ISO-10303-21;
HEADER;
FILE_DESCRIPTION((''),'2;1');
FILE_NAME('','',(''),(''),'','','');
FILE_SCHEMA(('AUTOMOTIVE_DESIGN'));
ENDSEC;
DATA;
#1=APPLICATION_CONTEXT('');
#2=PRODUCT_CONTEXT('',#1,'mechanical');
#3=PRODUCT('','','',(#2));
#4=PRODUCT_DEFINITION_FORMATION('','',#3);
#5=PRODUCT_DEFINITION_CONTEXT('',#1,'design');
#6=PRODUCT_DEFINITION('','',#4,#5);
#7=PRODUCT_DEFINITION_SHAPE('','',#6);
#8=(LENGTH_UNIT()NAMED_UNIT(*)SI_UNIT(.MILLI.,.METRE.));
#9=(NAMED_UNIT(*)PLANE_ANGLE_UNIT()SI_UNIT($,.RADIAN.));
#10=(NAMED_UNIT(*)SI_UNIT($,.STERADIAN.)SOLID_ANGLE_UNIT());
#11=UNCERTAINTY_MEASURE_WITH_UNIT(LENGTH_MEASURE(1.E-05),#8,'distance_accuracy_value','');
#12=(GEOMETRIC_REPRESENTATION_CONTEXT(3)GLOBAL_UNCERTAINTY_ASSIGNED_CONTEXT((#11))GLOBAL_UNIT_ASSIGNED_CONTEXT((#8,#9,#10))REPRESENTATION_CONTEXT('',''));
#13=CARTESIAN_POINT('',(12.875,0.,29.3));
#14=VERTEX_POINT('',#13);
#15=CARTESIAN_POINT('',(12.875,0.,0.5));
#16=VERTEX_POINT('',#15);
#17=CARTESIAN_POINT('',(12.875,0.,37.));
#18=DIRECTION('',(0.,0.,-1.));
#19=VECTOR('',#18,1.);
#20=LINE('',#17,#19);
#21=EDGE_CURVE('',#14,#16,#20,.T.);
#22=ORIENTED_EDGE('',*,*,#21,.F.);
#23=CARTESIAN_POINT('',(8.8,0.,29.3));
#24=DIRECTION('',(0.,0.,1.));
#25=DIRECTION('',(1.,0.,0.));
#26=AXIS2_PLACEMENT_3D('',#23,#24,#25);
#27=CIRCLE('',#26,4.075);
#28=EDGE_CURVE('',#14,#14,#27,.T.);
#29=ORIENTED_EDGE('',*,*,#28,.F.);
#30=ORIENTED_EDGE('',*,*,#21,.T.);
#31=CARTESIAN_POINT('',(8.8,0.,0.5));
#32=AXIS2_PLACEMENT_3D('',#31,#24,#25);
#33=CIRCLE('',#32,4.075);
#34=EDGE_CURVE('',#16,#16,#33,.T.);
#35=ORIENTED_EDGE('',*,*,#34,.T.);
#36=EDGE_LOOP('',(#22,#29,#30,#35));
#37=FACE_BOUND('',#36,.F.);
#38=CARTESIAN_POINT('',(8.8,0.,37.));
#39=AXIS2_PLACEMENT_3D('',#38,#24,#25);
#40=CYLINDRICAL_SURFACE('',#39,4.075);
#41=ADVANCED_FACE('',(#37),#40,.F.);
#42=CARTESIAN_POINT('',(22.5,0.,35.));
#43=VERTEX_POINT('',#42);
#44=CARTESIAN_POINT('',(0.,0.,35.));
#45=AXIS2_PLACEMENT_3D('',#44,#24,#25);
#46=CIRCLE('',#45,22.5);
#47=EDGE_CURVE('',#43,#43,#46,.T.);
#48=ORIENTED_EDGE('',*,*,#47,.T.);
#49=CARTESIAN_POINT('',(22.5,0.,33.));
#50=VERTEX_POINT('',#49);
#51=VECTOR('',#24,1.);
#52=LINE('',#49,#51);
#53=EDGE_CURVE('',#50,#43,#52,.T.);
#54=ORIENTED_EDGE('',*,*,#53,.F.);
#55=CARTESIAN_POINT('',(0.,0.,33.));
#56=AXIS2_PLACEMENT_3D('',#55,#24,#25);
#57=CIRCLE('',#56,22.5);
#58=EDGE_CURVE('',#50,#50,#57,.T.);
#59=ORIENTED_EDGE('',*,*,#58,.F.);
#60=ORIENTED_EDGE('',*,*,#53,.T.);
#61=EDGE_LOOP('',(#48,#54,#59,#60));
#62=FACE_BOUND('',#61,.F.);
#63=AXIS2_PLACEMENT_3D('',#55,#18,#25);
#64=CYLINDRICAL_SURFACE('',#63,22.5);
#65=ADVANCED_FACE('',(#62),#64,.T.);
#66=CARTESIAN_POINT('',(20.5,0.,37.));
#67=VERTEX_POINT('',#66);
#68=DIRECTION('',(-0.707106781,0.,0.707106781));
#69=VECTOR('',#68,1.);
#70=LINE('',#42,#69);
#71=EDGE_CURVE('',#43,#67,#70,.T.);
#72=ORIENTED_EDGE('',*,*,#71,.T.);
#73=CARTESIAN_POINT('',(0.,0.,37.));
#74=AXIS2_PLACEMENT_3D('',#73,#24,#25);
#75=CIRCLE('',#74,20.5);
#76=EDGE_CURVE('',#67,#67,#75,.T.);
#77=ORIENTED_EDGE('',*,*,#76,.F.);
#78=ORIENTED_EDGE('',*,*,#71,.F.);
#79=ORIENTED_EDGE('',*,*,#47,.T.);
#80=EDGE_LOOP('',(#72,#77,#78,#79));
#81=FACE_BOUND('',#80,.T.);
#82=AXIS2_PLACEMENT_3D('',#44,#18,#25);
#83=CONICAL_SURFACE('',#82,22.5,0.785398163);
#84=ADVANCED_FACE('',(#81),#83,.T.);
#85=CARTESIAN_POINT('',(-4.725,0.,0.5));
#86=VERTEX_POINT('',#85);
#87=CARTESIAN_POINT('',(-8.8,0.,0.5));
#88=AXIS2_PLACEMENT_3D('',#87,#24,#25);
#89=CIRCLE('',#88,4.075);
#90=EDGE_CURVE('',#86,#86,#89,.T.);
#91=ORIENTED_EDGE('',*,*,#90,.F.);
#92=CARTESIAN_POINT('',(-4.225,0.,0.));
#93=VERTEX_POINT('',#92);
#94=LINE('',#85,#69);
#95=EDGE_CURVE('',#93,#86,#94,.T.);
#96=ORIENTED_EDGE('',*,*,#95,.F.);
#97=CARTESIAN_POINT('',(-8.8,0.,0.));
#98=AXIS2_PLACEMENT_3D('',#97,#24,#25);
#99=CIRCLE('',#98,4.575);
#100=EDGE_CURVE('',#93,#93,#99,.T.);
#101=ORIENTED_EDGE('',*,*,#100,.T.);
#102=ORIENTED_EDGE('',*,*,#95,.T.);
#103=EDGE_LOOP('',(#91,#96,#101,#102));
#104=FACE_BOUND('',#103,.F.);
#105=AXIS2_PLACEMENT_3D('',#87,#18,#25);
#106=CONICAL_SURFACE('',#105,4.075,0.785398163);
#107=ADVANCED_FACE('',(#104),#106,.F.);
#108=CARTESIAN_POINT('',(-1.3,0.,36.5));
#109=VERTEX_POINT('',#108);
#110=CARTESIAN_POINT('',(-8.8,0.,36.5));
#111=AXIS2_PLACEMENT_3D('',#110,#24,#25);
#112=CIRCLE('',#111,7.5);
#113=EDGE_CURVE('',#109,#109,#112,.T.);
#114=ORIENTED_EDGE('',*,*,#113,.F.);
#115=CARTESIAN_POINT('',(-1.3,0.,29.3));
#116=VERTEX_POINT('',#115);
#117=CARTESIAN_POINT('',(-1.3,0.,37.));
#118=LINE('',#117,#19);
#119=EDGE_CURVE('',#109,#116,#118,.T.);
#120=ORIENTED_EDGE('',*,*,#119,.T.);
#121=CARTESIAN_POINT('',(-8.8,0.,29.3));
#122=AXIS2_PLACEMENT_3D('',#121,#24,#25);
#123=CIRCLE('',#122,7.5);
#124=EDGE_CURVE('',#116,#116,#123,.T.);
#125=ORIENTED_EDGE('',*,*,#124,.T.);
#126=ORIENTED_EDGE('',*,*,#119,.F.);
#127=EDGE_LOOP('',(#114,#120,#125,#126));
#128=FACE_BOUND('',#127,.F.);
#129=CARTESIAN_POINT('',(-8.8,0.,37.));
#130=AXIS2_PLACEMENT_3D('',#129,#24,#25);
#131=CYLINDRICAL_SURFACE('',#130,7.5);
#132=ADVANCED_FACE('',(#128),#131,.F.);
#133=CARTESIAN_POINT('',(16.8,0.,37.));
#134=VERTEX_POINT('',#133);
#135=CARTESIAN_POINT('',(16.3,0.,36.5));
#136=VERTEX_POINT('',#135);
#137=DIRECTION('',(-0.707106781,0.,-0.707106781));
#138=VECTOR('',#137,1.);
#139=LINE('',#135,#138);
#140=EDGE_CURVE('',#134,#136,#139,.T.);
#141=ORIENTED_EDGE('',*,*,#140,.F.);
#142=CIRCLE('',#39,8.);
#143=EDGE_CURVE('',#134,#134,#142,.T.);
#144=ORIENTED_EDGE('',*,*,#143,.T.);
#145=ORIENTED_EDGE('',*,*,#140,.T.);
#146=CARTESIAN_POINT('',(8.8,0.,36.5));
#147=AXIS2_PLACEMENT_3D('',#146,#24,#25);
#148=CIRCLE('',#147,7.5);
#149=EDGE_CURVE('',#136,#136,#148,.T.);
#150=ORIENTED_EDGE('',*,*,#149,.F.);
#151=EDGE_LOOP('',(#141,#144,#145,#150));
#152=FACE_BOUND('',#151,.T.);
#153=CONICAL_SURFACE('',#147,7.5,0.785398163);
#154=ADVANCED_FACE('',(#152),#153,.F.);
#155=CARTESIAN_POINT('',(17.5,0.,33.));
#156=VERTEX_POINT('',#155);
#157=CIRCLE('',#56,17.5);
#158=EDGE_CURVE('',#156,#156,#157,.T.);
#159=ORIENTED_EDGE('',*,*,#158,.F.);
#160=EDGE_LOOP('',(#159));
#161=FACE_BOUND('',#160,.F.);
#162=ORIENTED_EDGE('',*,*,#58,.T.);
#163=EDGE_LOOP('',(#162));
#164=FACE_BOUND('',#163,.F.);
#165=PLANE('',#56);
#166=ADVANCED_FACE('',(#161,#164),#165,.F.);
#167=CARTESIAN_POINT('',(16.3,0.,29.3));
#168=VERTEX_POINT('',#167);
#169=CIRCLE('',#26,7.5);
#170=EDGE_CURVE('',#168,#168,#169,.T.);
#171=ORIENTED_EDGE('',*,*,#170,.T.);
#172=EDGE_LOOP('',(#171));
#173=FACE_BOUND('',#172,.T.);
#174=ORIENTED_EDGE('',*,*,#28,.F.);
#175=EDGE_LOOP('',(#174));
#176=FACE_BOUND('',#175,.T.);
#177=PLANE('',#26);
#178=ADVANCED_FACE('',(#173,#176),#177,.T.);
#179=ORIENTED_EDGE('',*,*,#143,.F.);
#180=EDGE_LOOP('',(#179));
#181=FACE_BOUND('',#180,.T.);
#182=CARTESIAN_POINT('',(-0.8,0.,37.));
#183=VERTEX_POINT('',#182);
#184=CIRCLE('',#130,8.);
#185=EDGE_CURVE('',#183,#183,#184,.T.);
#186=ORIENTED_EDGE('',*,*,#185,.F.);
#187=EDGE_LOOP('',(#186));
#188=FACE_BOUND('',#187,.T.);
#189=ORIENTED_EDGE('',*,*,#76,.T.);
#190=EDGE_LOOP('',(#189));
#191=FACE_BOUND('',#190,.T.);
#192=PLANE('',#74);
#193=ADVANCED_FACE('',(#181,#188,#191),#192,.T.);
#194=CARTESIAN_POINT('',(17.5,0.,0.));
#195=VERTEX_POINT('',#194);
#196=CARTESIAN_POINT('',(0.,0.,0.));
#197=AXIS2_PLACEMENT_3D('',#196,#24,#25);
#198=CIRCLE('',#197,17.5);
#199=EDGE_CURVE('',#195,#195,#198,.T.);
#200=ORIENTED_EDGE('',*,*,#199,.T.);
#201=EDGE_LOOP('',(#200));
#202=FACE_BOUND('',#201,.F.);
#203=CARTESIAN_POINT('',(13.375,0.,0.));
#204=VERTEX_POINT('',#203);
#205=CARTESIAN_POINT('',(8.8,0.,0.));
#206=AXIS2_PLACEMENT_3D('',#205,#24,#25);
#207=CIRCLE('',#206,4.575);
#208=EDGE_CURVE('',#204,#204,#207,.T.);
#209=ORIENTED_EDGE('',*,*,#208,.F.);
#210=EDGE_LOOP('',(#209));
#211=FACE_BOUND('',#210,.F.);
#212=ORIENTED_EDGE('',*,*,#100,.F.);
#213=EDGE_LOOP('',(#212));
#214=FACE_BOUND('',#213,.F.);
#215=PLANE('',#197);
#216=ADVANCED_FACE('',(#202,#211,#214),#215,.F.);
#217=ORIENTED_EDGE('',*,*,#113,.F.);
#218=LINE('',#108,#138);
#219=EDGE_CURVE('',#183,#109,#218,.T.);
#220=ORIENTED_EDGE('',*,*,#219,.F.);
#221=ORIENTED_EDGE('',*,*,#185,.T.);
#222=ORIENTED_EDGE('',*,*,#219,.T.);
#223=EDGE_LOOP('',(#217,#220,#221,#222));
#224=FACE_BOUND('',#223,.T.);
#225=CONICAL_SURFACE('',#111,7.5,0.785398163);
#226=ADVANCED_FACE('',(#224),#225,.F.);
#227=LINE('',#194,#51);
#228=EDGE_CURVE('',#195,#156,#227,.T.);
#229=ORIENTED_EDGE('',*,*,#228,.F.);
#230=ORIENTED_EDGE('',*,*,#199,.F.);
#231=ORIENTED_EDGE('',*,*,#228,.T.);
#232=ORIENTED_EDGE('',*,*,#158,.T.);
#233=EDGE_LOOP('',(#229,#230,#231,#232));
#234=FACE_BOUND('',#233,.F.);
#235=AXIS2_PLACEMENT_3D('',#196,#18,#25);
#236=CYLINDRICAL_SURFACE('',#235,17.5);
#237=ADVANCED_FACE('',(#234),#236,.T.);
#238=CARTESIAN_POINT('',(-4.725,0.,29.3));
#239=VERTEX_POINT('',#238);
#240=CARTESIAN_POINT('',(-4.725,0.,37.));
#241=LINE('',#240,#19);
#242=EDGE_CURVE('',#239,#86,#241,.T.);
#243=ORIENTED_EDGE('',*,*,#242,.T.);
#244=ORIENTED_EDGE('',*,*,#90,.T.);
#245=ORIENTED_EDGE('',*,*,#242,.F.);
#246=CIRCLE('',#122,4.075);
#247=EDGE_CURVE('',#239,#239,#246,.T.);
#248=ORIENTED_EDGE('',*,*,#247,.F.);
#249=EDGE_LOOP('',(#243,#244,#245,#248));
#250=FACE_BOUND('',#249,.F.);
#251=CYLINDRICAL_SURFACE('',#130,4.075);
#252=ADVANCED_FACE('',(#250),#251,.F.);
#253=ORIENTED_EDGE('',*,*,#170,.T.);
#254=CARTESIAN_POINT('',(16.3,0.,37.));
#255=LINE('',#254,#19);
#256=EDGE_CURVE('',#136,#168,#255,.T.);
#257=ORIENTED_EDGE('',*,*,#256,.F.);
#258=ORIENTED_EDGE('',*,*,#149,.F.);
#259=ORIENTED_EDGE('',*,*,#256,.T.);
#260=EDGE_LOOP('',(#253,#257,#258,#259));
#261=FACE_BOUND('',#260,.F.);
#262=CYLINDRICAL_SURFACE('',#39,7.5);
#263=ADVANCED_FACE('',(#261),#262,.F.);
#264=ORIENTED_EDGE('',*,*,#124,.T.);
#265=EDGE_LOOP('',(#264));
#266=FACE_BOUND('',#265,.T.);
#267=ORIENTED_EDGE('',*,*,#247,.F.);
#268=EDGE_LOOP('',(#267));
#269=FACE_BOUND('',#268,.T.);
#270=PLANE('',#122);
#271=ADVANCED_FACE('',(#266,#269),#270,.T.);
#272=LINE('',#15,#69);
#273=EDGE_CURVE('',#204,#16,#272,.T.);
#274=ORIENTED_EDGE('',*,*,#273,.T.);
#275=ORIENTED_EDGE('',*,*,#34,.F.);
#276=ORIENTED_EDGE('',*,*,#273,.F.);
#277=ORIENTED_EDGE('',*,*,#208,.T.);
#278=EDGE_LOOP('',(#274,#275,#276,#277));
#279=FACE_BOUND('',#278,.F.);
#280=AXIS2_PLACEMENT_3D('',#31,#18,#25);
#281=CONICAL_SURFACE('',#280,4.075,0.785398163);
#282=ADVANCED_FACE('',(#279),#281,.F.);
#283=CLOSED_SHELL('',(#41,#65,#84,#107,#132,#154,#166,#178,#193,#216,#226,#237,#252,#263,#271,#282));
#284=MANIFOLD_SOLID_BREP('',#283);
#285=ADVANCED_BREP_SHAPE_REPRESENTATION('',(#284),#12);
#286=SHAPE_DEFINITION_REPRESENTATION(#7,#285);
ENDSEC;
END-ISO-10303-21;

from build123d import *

# Parameters (mm, degrees)
F0_R     = 17.5
F1_DEPTH = 33
F2_R     = 22.5
F3_DEPTH = 4
F4_R     = 7.5
F4_R_2   = 4.075
F5_DEPTH = 7.7
F6_DEPTH = 37.001
F7_SIZE  = 2
F8_SIZE  = 0.5


with BuildPart() as f1:
    # F0 (on Top) → F1 (new body)
    with BuildSketch(Plane.XY):
        Circle(F0_R)
    extrude(amount=F1_DEPTH)

    # F2 (on face) → F3 (join)
    with BuildSketch(Plane.XY.offset(33)):
        Circle(F2_R)
    extrude(amount=F3_DEPTH)

    # F4 (on face) → F5 (cut)
    with BuildSketch(Plane.XY.offset(37)):
        with Locations((-8.8, 0)):
            Circle(F4_R)
        with Locations((-8.8, 0)):
            Circle(F4_R_2, mode=Mode.SUBTRACT)
        with Locations((8.8, 0)):
            Circle(F4_R)
        with Locations((8.8, 0)):
            Circle(F4_R_2, mode=Mode.SUBTRACT)
    extrude(amount=-F5_DEPTH, mode=Mode.SUBTRACT)

    # F6 (cut, through all): faces of the model
    f6_faces = [f1.faces().sort_by_distance(p)[0] for p in [
        (-8.8, 0, 37),
        (8.8, 0, 37),
    ]]
    extrude(f6_faces, amount=-F6_DEPTH, mode=Mode.SUBTRACT)

    # F7
    f7_edges = [f1.edges().sort_by_distance(p)[0] for p in [
        (-22.5, 0, 37),
    ]]
    chamfer(f7_edges, length=F7_SIZE)

    # F8
    f8_edges = [f1.edges().sort_by_distance(p)[0] for p in [
        (-16.3, 0, 37),
        (1.3, 0, 37),
        (-12.875, 0, 0),
        (4.725, 0, 0),
    ]]
    chamfer(f8_edges, length=F8_SIZE)


solid = f1.part
